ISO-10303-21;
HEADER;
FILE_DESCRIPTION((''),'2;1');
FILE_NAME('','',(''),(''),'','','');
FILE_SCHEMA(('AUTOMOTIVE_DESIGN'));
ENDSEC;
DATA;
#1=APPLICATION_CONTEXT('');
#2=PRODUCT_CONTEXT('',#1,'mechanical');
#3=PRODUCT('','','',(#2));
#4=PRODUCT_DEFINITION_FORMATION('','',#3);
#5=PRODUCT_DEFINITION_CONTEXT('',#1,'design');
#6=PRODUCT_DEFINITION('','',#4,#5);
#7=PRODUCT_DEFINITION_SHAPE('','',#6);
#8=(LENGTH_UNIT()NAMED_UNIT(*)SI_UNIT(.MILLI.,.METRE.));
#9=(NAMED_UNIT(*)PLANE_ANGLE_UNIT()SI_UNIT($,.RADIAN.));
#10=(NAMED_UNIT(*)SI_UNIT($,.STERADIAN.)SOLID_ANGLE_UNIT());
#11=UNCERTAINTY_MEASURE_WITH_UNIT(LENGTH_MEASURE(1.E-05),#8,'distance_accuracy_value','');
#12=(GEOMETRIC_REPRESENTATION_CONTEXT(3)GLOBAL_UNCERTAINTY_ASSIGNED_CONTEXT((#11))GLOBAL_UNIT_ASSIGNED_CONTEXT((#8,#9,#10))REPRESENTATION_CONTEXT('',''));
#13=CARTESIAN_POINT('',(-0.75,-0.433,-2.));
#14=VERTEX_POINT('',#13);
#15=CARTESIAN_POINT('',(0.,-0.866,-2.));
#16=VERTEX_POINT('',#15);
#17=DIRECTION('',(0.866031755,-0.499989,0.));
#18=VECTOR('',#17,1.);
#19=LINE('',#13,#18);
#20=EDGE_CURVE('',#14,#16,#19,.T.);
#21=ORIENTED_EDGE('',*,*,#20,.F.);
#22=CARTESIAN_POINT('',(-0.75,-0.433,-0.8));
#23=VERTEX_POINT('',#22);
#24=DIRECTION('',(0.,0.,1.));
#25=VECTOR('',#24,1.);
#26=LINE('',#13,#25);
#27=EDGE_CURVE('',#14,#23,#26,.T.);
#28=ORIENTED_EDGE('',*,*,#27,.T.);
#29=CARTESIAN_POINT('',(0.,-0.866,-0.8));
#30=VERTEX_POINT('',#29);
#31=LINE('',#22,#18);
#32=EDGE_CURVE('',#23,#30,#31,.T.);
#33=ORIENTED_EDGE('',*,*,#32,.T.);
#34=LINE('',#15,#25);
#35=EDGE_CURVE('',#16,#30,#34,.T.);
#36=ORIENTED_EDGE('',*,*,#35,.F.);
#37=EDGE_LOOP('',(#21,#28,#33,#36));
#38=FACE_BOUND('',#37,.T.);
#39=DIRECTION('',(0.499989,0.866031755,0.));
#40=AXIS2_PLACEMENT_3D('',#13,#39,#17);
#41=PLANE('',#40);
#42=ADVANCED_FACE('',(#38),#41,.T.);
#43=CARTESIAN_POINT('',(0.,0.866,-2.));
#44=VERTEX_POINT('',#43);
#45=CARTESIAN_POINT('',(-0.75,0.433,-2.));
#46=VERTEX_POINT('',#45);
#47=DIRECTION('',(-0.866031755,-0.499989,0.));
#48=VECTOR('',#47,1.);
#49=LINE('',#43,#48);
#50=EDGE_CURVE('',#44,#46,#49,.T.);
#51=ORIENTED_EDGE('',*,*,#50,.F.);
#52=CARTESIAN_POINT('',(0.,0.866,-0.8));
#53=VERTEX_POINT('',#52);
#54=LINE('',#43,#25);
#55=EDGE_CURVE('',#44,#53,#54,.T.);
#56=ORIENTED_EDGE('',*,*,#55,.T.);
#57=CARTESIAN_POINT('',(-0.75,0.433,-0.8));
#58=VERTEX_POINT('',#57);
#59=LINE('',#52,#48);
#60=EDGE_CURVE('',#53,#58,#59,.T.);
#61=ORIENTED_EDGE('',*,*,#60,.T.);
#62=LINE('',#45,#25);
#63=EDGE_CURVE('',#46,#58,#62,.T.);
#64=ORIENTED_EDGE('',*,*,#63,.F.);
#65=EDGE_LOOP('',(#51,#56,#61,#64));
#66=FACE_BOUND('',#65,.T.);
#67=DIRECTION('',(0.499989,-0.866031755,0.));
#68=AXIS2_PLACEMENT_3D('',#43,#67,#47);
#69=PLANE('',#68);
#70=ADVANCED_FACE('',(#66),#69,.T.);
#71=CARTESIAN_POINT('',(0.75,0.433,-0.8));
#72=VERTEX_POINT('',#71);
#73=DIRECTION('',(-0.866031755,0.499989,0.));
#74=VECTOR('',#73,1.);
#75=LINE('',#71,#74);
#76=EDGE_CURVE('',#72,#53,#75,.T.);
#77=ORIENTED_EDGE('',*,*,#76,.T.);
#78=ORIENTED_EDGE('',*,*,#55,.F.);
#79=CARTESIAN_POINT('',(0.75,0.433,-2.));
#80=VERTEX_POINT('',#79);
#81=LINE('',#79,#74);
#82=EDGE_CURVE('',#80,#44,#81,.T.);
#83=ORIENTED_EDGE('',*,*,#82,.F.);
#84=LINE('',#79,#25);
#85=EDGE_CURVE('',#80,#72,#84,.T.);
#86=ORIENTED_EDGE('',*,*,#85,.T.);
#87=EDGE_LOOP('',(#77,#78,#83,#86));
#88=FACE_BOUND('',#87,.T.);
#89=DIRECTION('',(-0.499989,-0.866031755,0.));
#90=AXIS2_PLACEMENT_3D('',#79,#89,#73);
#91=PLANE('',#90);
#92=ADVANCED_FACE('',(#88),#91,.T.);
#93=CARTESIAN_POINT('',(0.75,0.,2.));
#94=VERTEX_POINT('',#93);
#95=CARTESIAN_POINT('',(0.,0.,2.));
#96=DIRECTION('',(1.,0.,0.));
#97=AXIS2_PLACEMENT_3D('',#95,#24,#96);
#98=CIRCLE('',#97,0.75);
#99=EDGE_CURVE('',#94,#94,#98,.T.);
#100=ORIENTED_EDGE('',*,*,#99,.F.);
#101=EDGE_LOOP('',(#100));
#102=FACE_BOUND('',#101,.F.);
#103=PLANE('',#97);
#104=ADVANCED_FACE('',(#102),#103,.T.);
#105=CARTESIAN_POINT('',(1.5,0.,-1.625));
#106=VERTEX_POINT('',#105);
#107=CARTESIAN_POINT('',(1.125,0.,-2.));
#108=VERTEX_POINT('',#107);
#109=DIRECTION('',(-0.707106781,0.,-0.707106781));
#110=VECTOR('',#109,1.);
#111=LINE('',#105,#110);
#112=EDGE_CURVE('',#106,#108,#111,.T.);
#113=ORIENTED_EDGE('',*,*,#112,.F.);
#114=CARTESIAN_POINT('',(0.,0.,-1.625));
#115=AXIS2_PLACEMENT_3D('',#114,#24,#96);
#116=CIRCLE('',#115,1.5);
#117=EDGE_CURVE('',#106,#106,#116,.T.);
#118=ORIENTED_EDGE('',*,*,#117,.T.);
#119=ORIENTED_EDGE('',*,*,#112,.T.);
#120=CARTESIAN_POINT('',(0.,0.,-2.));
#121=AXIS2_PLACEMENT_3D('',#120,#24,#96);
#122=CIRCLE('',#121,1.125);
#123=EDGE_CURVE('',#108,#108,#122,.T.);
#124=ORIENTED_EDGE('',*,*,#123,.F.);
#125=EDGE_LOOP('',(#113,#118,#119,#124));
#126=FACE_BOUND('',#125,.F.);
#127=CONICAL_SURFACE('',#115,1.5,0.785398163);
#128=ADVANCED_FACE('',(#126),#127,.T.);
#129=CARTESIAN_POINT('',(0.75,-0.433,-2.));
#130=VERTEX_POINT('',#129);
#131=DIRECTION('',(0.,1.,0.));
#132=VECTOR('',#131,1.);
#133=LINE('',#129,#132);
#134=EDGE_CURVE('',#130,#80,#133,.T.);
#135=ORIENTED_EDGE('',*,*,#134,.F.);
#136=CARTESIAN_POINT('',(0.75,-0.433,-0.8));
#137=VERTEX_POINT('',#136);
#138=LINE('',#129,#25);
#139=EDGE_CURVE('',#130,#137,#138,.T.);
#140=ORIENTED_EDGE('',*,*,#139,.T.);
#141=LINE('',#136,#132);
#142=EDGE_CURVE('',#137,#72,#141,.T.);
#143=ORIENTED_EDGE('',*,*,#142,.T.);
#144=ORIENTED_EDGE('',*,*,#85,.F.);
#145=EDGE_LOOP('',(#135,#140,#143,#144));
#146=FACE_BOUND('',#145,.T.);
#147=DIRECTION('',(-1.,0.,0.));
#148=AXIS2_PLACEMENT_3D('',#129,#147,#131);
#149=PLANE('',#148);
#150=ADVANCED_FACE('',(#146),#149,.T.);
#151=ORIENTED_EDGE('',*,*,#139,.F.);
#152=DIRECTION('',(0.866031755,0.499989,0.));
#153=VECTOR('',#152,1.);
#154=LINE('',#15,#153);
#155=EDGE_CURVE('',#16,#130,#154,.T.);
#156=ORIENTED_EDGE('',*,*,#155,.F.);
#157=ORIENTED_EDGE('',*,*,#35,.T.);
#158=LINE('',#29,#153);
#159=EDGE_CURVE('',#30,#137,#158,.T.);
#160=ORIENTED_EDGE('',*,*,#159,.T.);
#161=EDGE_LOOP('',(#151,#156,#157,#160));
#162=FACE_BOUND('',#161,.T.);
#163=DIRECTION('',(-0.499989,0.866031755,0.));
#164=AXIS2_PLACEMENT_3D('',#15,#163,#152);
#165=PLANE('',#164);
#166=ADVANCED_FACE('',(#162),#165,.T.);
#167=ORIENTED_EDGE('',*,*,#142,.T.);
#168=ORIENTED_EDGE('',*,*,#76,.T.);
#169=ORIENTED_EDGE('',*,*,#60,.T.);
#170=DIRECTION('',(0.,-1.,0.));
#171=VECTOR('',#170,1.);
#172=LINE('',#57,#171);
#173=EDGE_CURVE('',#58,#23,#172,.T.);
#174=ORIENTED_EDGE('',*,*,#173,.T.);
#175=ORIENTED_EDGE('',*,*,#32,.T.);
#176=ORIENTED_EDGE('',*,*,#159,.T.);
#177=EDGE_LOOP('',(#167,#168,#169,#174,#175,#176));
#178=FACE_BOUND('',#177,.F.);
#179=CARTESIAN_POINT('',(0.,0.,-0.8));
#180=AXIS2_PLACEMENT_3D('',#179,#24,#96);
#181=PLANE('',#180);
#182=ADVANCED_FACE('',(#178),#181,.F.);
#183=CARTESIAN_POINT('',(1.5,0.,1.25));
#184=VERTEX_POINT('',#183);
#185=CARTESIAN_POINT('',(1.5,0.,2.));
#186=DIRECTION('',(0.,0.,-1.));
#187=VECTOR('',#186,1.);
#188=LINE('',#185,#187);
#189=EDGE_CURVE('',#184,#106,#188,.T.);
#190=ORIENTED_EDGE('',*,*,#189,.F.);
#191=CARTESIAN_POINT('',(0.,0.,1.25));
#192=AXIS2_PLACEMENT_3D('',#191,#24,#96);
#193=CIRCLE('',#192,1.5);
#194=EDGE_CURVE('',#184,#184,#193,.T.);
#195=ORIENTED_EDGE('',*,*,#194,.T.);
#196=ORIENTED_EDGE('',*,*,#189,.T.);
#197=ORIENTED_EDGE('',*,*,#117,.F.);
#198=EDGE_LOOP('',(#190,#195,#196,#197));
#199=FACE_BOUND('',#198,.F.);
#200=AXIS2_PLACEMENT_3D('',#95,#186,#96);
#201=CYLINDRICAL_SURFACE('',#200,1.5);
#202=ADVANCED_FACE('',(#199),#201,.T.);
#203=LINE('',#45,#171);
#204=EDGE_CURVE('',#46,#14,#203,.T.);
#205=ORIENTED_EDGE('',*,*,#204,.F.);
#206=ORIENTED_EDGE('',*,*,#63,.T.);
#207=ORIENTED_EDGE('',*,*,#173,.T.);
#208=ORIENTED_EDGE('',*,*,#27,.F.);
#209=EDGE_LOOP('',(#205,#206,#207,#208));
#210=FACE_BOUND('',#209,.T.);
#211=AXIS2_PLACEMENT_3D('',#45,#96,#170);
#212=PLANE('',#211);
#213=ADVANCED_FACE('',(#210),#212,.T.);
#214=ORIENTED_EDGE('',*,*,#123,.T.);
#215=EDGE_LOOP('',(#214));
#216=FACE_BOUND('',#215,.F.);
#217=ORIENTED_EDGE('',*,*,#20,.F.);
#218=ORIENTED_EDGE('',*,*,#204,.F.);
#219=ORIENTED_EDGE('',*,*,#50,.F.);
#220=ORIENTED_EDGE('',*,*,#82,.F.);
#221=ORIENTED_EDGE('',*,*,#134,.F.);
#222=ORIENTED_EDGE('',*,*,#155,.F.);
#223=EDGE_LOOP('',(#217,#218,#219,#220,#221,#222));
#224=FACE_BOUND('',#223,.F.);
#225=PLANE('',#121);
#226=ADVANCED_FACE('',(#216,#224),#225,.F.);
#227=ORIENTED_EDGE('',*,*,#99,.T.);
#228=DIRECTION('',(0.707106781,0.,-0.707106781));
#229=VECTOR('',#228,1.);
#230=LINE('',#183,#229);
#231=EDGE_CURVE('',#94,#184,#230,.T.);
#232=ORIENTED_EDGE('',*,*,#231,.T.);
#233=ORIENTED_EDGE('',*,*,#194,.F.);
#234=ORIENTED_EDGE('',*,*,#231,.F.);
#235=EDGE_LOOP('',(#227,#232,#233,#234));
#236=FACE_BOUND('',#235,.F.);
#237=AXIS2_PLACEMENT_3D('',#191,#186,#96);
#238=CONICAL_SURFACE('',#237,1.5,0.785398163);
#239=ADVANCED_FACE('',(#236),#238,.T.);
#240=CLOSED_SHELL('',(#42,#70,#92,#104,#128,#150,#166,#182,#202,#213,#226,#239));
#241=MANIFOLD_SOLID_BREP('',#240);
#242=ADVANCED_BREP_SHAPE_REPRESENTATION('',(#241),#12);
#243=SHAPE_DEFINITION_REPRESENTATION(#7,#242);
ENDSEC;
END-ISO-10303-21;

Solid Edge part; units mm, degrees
sketch "Sketch1" plane through (0, 0, 0) normal (0, -1, 0) x (1, 0, 0)
  line L0 (0, 2) -> (1.5, 2)
  line L1 (1.5, 2) -> (1.5, -2)
  line L2 (1.5, -2) -> (0, -2)
  dimension "D1" = 4
revolve "RevolvedProtrusion1" add sketch "Sketch1" angle 360 about axis through (0, 0, -2) along (0, 0, 1)
chamfer "Chamfer1" distance 0.75 angle 45 1 edges at (-1.5, 0, 2)
chamfer "Chamfer_2" distance 0.375 angle 45 1 edges at (-1.5, 0, -2)
cosmetic_thread "Thread1" size "M3"
sketch "Sketch2" plane through (0, 0, -2) normal (0, 0, -1) x (-1, 0, 0)
  line L0 (0.75, 0.433) -> (0.75, -0.433)
  line L1 (0.75, -0.433) -> (0, -0.866)
  line L2 (0, -0.866) -> (-0.75, -0.433)
  line L3 (-0.75, -0.433) -> (-0.75, 0.433)
  line L4 (-0.75, 0.433) -> (0, 0.866)
  line L5 (0, 0.866) -> (0.75, 0.433)
  dimension "D1" = 1.5
extrude "ExtrudedCutout_1" cut sketch "Sketch2" against normal blind 1.2
properties material "Stainless steel"
